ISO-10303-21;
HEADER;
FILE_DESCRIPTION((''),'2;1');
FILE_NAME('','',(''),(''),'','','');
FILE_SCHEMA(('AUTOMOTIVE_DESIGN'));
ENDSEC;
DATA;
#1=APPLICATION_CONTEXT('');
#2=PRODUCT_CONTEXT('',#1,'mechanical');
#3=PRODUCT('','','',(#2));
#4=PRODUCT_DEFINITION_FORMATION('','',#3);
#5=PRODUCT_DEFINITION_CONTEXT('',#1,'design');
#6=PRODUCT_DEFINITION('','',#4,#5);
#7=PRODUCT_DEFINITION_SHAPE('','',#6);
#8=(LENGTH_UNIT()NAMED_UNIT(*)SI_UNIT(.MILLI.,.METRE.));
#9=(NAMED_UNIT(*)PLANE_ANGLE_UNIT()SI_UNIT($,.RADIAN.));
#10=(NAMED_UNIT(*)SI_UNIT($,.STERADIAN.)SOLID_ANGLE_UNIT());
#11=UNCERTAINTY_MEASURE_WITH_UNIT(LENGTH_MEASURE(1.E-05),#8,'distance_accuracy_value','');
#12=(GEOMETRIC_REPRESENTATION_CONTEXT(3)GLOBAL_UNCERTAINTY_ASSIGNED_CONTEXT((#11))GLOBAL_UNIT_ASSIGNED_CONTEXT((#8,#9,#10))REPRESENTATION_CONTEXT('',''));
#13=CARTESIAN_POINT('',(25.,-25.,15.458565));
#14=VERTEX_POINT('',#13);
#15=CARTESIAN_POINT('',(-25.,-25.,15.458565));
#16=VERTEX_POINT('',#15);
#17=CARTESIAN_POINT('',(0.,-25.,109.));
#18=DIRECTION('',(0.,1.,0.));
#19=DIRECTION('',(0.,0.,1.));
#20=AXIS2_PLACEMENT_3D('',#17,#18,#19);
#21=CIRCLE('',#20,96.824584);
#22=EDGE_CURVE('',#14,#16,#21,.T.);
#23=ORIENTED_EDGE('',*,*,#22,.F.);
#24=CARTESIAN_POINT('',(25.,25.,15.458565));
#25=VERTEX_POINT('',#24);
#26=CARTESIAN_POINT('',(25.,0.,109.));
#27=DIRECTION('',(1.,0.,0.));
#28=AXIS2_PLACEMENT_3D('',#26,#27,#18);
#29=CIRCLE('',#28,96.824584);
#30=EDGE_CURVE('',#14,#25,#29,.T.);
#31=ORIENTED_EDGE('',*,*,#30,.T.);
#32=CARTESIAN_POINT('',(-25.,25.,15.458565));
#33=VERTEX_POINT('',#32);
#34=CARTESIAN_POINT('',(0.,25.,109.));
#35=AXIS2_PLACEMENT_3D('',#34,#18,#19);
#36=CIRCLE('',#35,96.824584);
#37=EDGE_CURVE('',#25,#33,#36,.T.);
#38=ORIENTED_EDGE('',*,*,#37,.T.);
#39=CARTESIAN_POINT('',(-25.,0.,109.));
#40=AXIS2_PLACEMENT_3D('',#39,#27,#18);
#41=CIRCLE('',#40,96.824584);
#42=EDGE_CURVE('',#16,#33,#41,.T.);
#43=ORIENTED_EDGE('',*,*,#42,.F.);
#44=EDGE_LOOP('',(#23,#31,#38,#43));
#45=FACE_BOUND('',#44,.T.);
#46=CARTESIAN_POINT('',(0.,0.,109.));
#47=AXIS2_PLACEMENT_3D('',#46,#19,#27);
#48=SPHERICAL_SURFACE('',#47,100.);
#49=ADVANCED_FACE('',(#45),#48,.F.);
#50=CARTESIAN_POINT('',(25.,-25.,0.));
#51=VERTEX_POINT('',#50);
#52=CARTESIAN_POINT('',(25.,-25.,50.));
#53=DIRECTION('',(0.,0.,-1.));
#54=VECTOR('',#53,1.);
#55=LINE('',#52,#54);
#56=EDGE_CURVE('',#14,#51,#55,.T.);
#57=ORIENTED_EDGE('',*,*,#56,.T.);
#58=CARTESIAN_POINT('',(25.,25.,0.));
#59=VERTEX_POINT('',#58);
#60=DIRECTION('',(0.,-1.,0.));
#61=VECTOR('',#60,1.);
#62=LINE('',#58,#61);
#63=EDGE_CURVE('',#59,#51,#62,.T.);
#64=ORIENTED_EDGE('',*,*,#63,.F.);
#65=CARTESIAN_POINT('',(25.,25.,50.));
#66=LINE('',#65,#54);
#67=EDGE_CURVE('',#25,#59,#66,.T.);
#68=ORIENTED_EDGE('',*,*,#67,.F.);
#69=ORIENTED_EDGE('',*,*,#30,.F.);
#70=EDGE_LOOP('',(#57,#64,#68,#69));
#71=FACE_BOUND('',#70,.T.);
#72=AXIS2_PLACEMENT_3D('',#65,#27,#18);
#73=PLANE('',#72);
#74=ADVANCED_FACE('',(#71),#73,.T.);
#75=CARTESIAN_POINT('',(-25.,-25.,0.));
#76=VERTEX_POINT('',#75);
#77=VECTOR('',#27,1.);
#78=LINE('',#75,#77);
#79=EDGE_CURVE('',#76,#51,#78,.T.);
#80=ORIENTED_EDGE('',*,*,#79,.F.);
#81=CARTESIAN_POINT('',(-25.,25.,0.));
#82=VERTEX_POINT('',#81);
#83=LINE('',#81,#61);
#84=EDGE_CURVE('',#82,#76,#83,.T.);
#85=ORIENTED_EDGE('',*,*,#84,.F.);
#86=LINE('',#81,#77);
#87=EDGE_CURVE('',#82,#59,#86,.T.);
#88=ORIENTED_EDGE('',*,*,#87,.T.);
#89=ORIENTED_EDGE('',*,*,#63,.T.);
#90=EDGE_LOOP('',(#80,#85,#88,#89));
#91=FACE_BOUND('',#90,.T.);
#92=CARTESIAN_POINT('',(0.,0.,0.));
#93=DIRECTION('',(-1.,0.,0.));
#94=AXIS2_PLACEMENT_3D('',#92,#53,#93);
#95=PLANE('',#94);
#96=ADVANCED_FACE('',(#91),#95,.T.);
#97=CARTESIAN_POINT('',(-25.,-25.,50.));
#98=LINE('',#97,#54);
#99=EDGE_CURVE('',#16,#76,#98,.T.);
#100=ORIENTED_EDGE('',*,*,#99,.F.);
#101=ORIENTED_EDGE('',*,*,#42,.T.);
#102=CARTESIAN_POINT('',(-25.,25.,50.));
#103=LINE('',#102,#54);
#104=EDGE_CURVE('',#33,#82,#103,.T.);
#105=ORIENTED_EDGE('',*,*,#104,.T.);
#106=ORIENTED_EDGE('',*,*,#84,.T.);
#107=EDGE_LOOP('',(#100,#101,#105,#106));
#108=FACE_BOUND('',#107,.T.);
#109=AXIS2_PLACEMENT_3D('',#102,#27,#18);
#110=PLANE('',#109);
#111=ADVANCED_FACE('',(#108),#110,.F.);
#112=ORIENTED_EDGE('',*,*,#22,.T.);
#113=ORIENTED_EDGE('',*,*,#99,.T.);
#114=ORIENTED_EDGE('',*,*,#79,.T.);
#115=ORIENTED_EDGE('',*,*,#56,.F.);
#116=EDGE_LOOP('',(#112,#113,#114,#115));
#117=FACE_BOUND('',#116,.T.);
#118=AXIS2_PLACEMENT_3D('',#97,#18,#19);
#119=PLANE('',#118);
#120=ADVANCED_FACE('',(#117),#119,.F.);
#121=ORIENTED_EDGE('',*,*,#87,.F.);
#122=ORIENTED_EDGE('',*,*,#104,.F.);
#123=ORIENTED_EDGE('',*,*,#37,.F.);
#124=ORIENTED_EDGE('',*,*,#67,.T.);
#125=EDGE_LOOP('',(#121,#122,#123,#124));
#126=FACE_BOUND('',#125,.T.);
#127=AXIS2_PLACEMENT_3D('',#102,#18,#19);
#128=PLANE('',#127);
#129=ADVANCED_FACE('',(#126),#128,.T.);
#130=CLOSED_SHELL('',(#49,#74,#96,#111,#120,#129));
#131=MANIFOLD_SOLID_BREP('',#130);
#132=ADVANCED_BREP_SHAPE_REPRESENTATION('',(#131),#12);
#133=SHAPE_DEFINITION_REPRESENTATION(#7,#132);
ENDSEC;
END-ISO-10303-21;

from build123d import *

# Parameters (mm, degrees)
SKETCH_1_W      = 50
SKETCH_1_H      = 50
EXTRUDE_1_DEPTH = 50


with BuildPart() as part:
    # 草图1 → 凸台-拉伸1 (new body)
    with BuildSketch(Plane.XY):
        Rectangle(SKETCH_1_W, SKETCH_1_H)
    extrude(amount=EXTRUDE_1_DEPTH)

    # 草图2 → 切除-旋转2 (revolve, cut)
    with BuildSketch(Plane(origin=(0, 0, 0), x_dir=(1, 0, 0), z_dir=(0, 1, 0))):
        with BuildLine():
            Line((97.484546181, -86.711813537), (0, -86.711813537))
            Line((0, -86.711813537), (0, -9))
            ThreePointArc((0, -9), (62.334506309, -30.805311413), (97.484546181, -86.711813537))
        make_face()
    revolve(axis=Axis((0, 0, 86.711813537), (0, 0, -1)), mode=Mode.SUBTRACT)


solid = part.part
